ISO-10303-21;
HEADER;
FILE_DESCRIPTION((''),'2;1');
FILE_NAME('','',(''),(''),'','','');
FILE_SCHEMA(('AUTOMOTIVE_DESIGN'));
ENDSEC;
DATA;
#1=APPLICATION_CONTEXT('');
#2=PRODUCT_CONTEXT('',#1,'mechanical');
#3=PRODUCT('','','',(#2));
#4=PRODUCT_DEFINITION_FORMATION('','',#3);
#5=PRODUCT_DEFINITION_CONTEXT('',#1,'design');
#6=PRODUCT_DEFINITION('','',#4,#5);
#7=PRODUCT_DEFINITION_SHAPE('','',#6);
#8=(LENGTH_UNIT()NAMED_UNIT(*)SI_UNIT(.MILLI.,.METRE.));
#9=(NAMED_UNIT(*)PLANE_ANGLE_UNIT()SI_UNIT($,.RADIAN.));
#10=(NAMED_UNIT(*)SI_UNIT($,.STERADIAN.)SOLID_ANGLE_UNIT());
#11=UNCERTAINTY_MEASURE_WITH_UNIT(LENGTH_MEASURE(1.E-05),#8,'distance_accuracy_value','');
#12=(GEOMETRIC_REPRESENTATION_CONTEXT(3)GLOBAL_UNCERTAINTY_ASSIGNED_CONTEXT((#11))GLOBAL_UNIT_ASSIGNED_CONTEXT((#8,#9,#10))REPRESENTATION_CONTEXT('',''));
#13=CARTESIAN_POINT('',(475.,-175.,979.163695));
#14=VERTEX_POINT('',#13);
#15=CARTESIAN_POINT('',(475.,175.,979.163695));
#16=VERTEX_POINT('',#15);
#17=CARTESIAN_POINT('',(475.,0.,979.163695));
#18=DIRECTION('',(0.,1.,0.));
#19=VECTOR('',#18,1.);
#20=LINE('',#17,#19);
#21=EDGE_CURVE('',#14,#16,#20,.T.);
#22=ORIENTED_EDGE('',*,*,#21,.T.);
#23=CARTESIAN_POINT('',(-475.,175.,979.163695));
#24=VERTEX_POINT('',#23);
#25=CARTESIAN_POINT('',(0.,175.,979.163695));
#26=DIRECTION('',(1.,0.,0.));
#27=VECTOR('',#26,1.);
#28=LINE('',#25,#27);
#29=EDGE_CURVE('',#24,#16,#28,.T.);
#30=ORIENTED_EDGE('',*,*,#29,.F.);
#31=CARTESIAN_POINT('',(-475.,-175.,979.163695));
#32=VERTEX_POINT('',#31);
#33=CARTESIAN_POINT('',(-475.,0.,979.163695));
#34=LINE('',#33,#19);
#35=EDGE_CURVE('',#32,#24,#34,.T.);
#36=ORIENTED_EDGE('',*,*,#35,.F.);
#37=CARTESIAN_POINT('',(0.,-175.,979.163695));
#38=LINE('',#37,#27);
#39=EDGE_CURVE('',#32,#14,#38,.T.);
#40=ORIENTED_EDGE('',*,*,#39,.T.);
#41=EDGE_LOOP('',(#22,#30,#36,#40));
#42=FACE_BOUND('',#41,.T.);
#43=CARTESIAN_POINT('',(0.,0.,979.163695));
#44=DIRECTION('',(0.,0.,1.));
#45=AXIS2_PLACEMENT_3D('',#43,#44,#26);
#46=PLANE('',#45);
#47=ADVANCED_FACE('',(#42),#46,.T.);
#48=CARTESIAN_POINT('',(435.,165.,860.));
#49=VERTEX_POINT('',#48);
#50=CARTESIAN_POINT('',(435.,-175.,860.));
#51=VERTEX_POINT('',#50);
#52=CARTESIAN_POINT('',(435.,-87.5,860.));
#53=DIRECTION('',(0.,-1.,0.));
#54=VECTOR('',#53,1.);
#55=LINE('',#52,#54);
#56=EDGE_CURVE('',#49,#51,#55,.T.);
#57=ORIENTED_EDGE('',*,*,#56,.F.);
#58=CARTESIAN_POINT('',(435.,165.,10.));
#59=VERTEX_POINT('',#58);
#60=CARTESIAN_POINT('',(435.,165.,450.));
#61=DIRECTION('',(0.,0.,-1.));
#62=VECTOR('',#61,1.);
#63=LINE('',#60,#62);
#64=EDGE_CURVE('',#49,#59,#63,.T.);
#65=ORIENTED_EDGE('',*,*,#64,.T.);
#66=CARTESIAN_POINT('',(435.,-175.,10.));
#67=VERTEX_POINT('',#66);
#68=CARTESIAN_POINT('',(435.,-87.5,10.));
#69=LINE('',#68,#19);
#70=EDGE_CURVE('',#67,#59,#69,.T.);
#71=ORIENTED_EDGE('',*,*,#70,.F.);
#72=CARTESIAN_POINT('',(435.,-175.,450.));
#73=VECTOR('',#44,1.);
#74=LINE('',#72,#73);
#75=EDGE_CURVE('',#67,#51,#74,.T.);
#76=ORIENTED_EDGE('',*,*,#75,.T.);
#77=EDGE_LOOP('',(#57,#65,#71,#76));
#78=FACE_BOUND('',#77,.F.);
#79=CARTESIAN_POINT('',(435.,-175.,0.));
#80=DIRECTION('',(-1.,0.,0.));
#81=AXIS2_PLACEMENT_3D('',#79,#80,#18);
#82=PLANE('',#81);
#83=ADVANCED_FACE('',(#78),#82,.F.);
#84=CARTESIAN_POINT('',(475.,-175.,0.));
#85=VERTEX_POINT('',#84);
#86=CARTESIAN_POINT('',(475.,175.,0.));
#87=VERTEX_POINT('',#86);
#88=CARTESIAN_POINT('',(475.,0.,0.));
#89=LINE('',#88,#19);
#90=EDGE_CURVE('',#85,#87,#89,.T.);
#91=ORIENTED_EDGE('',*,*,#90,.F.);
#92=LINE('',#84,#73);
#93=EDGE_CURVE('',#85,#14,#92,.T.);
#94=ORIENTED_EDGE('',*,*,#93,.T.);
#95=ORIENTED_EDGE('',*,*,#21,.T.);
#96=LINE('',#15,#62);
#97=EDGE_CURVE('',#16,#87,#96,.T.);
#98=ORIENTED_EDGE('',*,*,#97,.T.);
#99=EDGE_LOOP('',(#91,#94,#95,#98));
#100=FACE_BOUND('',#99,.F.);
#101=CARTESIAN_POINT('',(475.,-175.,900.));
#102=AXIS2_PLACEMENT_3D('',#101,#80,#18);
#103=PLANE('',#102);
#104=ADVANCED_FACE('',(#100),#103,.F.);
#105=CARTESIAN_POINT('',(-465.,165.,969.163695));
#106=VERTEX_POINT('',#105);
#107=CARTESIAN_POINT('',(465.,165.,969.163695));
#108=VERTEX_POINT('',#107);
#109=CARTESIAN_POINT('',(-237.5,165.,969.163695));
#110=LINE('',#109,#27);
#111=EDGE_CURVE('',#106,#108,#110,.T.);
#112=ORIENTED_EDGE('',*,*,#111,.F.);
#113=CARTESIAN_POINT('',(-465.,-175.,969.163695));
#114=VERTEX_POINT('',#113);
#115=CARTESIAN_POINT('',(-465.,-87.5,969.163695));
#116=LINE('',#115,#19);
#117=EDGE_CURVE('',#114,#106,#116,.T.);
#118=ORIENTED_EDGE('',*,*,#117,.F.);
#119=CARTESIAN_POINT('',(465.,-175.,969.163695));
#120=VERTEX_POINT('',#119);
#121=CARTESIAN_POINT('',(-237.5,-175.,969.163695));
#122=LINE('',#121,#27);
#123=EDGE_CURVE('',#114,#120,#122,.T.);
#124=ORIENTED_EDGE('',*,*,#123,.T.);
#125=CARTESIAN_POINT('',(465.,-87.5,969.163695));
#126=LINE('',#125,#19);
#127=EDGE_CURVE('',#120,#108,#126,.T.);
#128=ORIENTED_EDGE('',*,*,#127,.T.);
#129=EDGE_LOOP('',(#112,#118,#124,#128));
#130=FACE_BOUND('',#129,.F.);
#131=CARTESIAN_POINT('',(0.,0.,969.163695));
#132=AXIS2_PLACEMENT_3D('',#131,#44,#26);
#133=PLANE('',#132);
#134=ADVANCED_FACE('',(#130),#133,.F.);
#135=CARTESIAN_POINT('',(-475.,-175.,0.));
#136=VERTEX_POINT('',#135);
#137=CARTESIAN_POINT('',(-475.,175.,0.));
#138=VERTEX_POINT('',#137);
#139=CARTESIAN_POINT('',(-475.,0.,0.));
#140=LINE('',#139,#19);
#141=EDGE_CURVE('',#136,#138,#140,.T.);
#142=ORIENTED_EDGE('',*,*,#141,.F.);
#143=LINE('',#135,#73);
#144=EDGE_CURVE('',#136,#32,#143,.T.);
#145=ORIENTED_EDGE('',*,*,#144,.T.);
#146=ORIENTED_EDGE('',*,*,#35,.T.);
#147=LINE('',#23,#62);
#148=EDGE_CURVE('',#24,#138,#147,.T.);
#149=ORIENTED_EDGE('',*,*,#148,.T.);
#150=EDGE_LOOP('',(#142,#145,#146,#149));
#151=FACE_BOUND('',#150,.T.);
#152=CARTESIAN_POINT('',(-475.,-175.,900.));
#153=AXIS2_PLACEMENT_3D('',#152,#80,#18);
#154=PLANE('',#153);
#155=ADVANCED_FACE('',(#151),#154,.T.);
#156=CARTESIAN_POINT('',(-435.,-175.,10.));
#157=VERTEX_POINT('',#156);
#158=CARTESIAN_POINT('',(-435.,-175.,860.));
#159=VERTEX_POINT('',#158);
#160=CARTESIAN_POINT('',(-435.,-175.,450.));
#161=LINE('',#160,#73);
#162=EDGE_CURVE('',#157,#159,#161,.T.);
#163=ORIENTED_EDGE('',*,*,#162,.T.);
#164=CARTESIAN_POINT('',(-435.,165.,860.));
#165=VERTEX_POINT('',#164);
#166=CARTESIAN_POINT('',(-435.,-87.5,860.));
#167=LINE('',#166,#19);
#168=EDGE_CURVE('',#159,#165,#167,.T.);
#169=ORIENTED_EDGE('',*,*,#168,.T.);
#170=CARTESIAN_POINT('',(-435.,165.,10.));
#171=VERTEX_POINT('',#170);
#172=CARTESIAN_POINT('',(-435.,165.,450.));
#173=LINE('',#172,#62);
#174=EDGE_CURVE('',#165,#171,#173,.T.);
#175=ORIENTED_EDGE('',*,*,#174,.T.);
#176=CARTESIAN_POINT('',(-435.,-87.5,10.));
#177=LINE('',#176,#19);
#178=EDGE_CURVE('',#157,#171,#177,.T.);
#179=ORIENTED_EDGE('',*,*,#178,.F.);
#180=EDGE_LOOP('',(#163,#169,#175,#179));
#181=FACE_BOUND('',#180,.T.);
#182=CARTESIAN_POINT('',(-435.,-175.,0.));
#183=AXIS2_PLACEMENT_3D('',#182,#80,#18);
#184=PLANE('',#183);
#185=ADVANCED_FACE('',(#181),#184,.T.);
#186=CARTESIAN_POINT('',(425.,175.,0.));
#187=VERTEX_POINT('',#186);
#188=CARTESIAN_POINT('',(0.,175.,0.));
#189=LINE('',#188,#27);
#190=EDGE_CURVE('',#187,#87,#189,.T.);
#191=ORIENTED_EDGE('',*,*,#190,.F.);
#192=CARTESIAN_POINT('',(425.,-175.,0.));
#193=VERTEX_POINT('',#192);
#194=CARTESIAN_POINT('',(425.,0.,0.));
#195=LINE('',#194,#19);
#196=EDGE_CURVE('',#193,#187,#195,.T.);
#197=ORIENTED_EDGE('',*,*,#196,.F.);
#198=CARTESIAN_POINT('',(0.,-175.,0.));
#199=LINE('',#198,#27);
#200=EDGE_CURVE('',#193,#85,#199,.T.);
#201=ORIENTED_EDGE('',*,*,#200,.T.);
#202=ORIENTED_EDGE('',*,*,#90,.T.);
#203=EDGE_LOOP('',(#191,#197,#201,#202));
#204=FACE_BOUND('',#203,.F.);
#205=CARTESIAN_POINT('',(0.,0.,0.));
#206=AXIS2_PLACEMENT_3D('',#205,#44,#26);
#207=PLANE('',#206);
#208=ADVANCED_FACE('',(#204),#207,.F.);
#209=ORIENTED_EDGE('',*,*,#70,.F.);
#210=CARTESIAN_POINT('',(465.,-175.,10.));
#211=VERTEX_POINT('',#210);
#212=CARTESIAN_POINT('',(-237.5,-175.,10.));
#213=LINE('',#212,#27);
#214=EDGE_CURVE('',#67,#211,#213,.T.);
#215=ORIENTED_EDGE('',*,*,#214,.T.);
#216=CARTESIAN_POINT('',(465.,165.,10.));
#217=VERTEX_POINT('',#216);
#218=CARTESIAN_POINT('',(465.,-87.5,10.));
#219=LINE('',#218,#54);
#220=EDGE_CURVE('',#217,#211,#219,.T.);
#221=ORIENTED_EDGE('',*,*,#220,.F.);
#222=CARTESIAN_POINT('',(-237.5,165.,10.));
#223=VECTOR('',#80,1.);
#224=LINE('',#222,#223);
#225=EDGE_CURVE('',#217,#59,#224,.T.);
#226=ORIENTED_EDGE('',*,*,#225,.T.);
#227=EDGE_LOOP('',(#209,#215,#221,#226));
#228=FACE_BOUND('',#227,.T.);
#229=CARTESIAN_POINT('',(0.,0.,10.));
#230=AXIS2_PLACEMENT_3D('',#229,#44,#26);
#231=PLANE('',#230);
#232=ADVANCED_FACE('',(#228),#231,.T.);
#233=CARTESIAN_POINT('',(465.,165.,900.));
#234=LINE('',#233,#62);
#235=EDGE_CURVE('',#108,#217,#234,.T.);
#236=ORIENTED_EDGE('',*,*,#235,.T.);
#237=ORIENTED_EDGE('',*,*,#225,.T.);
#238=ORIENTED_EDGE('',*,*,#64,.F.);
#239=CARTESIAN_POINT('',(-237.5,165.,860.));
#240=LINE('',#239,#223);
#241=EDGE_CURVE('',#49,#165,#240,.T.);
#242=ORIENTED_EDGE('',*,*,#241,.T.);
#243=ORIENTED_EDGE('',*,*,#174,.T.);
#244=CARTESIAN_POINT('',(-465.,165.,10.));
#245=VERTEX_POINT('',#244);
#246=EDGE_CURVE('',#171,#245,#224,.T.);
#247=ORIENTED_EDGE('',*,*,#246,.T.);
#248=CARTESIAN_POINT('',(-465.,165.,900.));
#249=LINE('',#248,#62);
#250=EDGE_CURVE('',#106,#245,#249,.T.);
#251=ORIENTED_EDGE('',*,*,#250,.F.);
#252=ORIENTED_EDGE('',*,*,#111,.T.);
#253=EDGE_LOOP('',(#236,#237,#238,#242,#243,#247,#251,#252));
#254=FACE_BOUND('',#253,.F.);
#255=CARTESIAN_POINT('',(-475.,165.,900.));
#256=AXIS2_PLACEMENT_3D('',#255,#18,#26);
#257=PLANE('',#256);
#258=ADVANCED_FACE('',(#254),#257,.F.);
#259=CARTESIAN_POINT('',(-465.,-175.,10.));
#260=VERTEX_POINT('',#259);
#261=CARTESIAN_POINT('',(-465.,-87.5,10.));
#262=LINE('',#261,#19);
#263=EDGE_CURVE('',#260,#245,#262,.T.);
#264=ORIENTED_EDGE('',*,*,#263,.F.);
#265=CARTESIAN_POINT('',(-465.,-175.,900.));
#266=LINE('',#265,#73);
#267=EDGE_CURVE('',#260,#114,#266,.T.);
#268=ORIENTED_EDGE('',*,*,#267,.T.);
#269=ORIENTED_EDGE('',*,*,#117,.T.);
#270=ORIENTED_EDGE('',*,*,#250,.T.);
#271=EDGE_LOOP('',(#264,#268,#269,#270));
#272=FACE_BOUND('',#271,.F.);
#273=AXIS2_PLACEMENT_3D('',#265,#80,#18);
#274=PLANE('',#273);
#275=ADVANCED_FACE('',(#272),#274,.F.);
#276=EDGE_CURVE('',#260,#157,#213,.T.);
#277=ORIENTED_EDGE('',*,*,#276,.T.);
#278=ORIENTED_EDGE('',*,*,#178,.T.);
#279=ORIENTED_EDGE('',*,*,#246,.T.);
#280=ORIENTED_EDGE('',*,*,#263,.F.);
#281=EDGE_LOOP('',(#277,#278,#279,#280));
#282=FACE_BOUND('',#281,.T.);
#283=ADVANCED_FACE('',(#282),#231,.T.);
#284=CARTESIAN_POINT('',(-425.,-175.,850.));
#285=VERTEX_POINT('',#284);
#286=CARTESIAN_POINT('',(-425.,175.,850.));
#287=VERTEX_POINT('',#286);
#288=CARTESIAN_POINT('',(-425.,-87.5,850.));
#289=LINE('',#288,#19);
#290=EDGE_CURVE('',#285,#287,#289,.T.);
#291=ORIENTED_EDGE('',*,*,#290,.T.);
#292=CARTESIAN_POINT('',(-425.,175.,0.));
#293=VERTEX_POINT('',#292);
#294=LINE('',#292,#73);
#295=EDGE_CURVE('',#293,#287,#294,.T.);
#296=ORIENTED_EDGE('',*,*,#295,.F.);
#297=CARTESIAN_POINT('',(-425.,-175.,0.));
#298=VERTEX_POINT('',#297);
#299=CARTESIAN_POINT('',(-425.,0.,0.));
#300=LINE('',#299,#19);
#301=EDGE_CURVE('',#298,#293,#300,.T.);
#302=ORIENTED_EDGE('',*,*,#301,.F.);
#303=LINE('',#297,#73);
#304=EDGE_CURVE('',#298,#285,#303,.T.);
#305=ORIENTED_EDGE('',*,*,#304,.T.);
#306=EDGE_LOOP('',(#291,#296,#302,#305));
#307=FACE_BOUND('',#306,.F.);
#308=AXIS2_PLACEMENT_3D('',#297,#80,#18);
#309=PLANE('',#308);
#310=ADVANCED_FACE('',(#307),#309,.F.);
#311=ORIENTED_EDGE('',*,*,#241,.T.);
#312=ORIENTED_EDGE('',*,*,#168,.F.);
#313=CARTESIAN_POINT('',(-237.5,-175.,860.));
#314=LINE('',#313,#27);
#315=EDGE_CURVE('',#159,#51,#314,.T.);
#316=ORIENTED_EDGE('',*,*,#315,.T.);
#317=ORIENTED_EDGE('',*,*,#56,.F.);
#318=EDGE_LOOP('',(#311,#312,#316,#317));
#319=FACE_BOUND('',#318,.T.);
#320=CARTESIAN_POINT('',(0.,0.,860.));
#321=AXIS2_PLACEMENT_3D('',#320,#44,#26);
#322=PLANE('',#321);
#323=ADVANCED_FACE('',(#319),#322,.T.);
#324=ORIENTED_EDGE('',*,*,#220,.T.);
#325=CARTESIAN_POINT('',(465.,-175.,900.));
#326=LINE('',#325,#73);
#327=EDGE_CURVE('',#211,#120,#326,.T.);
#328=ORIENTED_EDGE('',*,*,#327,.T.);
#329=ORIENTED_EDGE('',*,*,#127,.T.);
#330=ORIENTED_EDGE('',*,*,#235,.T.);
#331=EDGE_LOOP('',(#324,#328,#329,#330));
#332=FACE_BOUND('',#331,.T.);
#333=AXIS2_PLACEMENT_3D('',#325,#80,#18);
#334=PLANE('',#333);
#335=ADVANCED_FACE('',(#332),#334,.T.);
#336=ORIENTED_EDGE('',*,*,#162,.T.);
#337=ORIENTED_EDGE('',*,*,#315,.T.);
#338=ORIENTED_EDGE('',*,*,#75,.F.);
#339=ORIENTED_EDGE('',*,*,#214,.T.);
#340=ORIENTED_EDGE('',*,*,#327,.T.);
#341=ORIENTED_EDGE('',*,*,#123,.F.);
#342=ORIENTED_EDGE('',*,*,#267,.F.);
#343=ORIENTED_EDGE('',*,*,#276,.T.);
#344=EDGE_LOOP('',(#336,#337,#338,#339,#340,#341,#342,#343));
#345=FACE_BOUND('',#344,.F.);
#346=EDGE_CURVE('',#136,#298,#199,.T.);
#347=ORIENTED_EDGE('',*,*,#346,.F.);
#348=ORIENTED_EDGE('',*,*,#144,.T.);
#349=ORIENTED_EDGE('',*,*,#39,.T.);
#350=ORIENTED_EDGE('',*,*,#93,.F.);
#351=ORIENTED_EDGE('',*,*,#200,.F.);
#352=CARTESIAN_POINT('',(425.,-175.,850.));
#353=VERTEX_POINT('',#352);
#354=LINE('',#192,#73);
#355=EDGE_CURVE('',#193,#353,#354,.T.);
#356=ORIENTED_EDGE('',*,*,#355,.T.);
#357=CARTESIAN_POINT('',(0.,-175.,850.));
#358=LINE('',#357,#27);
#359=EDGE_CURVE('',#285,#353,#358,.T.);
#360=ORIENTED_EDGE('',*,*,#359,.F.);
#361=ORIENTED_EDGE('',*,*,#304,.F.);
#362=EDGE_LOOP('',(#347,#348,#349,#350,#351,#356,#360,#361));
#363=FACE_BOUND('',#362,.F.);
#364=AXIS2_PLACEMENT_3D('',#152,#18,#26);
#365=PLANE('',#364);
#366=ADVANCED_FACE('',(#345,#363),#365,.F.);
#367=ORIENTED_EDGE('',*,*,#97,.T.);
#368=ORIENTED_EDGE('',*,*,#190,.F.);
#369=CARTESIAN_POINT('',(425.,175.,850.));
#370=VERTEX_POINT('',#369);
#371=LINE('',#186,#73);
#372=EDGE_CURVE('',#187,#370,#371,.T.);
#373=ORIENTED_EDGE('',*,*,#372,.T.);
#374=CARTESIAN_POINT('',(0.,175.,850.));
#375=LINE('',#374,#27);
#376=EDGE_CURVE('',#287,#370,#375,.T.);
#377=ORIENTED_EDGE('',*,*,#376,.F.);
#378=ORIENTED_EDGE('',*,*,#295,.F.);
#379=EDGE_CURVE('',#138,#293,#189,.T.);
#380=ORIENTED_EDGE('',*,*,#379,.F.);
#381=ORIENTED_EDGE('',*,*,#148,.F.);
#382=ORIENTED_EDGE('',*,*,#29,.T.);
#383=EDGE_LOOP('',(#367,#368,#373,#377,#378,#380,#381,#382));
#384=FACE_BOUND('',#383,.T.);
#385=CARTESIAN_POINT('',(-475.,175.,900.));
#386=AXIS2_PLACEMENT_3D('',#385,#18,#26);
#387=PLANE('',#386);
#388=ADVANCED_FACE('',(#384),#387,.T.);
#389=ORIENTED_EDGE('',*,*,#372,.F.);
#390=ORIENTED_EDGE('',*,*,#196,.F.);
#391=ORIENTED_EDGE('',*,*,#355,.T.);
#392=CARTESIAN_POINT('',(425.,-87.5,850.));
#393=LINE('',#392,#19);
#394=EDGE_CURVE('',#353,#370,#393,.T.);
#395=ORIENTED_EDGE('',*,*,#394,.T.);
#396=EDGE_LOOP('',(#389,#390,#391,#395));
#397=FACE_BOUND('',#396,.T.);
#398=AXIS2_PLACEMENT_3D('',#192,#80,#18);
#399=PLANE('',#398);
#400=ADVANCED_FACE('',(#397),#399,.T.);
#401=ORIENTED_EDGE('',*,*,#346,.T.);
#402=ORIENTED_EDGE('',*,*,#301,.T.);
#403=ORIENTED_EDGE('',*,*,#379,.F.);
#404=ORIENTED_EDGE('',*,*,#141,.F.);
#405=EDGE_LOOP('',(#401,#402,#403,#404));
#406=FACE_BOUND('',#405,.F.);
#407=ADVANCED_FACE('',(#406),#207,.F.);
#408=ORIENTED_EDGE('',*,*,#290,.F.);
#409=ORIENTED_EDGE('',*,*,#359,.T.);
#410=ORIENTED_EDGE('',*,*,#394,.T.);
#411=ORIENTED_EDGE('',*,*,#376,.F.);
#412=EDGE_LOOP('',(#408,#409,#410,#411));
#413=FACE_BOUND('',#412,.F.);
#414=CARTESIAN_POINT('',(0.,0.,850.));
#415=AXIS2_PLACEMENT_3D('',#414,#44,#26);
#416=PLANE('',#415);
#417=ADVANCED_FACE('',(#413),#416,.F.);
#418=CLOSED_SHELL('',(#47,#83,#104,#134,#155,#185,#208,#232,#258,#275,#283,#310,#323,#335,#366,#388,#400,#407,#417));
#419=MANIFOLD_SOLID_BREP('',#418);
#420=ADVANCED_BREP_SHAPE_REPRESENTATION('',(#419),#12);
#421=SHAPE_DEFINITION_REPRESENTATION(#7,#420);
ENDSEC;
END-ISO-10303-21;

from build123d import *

# Parameters (mm, degrees)
F0_W     = 950
F0_H     = 350
F1_DEPTH = 900
F2_T     = -50
F3_W     = 950
F3_H     = 350
F4_DEPTH = 79.1636947542
F5_T     = -10


with BuildPart() as f1:
    # F0 (on Top) → F1 (new body)
    with BuildSketch(Plane.XY):
        Rectangle(F0_W, F0_H)
    extrude(amount=F1_DEPTH)

    # F2
    f2_openings = [f1.faces().sort_by_distance(p)[0] for p in [
        (0, -175, 450),
        (0, 0, 0),
        (0, 175, 450),
    ]]
    offset(amount=F2_T, openings=f2_openings)

    # F3 (on face) → F4 (join)
    with BuildSketch(Plane.XY.offset(900)):
        Rectangle(F3_W, F3_H)
    extrude(amount=F4_DEPTH)

    # F5
    f5_openings = [f1.faces().sort_by_distance(p)[0] for p in [
        (-450, -175, 13.642806),
    ]]
    offset(amount=F5_T, openings=f5_openings, kind=Kind.INTERSECTION)


solid = f1.part
